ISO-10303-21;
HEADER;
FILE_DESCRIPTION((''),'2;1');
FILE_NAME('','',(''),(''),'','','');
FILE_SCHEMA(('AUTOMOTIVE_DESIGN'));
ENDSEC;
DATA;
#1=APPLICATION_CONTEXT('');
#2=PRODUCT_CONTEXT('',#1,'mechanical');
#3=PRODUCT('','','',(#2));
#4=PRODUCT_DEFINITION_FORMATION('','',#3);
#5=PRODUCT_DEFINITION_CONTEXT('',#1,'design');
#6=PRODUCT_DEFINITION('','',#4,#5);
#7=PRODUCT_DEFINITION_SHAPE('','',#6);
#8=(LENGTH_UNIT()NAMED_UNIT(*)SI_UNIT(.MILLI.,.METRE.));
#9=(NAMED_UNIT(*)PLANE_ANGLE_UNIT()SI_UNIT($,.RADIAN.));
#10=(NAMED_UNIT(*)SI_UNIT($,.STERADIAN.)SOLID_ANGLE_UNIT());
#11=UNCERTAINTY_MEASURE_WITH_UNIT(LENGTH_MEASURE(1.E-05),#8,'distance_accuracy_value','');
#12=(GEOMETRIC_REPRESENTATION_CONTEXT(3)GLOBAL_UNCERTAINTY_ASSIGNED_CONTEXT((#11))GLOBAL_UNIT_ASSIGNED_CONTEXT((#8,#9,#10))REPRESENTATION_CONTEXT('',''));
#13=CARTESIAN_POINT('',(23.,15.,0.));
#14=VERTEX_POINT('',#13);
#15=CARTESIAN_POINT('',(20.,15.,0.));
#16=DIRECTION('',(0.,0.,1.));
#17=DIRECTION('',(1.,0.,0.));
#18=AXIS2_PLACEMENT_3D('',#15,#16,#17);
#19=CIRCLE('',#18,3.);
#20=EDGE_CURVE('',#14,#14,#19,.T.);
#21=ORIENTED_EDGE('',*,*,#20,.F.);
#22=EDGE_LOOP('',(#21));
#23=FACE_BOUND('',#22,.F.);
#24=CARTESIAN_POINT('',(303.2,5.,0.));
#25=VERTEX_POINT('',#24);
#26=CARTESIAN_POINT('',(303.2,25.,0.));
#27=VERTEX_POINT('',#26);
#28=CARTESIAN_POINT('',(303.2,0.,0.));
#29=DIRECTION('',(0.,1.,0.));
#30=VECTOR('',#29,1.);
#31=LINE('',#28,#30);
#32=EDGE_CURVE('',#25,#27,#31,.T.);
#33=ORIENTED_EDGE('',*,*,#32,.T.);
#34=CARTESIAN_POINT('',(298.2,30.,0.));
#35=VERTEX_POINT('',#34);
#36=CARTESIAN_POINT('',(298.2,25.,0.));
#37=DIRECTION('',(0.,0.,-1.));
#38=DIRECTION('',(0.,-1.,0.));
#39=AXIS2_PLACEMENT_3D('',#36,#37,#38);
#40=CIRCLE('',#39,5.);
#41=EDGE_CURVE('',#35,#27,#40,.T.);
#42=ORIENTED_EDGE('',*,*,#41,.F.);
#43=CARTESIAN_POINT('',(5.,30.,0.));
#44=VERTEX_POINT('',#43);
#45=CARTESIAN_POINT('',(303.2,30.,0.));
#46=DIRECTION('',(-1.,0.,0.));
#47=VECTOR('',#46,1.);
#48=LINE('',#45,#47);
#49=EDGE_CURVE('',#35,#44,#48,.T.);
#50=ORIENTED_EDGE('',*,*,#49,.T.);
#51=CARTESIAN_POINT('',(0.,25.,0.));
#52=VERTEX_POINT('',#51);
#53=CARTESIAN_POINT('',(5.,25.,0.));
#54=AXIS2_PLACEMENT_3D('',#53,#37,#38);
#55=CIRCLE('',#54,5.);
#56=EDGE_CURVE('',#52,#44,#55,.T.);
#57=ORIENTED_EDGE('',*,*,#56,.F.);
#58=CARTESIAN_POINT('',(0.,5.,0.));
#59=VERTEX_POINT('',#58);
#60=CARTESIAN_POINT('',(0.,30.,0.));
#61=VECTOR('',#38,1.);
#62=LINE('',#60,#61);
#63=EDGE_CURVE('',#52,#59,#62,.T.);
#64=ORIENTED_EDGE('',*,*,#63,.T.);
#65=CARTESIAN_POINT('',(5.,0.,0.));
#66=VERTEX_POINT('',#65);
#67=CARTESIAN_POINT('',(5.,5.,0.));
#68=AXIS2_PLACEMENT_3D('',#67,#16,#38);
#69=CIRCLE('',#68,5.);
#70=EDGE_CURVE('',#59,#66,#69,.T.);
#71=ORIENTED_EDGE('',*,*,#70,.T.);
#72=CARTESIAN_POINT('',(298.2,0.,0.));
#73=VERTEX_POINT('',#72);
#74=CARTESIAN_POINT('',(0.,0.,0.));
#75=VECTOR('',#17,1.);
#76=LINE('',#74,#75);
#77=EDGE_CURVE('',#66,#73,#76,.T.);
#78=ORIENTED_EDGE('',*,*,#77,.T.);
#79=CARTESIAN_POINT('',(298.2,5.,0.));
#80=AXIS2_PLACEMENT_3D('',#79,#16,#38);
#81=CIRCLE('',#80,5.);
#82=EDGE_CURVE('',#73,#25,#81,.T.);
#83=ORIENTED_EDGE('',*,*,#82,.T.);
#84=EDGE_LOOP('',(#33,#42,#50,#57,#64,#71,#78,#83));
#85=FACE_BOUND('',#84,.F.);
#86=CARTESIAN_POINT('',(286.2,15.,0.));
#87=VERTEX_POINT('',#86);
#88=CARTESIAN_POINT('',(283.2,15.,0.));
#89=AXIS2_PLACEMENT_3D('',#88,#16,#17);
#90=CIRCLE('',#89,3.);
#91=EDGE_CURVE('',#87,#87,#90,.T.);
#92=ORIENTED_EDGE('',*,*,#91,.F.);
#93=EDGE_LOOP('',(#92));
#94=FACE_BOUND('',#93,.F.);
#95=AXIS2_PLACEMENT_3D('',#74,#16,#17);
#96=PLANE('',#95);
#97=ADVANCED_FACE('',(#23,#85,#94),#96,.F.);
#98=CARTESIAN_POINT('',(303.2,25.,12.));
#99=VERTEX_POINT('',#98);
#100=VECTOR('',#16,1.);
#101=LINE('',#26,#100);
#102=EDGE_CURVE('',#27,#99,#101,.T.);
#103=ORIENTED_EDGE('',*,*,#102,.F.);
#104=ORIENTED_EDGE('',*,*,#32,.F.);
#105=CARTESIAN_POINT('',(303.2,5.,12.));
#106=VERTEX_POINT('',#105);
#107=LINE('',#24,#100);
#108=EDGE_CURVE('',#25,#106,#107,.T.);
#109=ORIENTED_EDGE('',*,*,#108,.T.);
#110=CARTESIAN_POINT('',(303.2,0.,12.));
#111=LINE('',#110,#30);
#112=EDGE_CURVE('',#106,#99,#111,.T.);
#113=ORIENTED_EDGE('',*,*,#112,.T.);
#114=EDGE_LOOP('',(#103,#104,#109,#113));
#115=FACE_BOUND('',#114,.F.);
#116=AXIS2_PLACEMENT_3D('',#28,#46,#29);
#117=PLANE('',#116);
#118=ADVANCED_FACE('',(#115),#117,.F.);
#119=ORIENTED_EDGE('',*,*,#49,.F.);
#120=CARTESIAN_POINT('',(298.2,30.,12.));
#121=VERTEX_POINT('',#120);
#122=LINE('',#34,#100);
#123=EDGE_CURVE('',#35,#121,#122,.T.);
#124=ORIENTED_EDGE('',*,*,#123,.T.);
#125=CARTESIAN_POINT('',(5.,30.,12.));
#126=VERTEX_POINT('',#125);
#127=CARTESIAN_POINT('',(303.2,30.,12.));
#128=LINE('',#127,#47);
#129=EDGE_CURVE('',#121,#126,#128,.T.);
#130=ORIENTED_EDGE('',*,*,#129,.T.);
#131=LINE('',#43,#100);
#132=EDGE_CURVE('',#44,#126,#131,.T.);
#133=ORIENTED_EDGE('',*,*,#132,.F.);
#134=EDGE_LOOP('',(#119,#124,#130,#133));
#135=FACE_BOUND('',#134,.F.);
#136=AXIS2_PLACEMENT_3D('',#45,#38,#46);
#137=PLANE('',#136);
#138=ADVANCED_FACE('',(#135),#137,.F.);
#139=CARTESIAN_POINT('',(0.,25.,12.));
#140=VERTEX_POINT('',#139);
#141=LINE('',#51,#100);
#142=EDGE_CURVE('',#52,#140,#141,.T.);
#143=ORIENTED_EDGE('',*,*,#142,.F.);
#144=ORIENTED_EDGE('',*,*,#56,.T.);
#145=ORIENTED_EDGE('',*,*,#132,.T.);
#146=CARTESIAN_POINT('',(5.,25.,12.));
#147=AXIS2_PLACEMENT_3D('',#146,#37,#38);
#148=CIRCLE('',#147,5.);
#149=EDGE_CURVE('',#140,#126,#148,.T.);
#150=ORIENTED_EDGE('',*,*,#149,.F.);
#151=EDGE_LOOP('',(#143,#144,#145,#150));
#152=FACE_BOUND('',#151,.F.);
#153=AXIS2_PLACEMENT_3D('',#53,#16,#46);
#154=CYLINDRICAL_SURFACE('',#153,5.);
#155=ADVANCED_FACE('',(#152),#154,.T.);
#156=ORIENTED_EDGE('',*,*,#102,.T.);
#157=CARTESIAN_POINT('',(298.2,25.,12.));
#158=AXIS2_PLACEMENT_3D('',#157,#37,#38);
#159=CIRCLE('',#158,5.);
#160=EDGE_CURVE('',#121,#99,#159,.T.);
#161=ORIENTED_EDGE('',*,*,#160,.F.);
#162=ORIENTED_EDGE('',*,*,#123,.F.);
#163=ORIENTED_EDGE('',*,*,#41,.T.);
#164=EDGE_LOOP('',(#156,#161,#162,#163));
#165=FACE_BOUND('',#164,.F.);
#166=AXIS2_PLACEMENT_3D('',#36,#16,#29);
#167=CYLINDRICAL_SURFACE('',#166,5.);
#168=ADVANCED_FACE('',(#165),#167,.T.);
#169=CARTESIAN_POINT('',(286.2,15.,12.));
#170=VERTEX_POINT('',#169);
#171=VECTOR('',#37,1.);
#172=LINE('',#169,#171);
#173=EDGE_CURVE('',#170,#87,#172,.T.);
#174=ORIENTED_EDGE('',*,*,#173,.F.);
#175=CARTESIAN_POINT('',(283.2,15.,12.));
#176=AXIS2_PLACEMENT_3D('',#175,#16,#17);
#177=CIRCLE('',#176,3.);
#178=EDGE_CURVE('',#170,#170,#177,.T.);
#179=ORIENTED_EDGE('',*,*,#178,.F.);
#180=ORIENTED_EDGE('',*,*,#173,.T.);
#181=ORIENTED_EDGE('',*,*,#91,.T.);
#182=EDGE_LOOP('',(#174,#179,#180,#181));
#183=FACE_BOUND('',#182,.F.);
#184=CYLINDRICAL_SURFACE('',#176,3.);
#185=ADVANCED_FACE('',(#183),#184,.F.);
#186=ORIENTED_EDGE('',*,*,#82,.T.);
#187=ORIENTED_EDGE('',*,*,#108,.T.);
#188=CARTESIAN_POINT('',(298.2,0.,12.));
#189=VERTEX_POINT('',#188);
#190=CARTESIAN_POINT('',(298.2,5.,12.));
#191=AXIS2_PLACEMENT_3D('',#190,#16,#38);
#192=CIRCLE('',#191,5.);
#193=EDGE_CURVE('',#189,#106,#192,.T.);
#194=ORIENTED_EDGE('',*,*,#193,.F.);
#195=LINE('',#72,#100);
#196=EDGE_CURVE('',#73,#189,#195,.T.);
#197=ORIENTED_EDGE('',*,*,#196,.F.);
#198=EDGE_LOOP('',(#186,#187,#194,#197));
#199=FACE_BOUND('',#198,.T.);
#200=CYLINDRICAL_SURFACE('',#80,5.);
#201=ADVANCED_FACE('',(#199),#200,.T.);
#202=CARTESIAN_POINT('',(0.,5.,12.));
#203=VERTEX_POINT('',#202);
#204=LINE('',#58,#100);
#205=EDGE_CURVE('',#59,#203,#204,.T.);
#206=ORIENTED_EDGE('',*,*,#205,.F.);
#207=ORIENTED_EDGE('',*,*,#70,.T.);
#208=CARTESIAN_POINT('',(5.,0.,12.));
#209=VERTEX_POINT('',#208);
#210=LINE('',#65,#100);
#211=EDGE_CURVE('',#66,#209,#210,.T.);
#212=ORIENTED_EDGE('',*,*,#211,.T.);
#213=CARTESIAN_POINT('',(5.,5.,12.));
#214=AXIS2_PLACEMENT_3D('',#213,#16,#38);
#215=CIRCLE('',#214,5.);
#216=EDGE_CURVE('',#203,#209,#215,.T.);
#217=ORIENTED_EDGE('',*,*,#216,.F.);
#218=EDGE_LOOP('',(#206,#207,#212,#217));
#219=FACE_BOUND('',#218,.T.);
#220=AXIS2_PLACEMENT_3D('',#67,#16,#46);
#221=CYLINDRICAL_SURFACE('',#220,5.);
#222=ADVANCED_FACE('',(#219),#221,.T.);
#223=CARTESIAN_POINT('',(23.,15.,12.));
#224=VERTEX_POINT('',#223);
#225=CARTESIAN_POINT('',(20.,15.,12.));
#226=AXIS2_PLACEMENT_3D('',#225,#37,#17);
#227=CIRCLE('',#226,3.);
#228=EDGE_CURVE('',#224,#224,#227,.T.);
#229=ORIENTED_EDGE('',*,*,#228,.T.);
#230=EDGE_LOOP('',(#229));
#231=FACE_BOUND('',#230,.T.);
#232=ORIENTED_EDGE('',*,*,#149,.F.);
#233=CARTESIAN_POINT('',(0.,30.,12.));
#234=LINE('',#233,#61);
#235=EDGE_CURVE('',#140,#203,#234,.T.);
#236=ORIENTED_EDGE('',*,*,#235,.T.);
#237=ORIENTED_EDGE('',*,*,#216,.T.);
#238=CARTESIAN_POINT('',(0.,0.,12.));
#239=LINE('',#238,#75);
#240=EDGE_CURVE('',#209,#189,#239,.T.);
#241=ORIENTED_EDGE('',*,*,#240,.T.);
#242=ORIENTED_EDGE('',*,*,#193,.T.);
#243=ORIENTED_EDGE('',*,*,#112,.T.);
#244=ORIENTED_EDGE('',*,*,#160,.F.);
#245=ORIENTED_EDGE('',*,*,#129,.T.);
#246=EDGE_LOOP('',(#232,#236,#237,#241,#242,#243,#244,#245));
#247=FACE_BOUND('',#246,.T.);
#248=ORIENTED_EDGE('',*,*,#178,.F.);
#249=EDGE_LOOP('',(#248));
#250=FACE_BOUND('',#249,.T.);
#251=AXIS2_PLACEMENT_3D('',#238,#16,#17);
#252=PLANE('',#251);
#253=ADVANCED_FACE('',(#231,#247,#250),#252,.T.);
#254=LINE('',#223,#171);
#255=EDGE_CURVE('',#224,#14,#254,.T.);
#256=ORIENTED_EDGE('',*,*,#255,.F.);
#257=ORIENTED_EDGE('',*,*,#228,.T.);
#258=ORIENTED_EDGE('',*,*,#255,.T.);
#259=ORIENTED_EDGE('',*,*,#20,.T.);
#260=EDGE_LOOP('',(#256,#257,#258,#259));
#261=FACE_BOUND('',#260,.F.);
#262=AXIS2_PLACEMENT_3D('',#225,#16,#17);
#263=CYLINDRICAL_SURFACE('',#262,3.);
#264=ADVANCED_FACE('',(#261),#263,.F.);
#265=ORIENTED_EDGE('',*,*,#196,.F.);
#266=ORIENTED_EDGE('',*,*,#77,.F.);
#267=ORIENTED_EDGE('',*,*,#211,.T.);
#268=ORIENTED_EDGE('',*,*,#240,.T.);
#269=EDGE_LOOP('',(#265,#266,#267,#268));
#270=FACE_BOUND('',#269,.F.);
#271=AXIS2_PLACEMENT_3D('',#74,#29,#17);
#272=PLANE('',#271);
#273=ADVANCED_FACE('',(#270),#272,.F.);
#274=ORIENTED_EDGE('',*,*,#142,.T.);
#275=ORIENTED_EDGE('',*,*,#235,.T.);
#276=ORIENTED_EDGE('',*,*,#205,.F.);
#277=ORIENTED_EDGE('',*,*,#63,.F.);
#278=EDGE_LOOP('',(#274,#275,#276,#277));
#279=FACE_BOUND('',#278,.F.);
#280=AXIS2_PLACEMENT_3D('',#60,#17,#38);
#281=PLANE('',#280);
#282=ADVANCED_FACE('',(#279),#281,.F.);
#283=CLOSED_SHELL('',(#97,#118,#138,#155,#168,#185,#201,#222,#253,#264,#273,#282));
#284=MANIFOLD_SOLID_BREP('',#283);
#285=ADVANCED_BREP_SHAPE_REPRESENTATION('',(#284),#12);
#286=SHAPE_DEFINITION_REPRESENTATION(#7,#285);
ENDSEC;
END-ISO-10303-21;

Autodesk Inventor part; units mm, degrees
ref_plane "YZ Plane" through (0, 0, 0) normal (1, 0, 0) x (0, 1, 0)
ref_plane "XZ Plane" through (0, 0, 0) normal (0, 1, 0) x (-1, 0, 0)
ref_plane "XY Plane" through (0, 0, 0) normal (0, 0, 1) x (1, 0, 0)
sketch "Sketch1" plane through (0, 0, 0) normal (0, 0, 1) x (1, 0, 0)
  line L0 (0, 0) -> (303.2, 0)
  line L1 (303.2, 0) -> (303.2, 30)
  line L2 (303.2, 30) -> (0, 30)
  line L3 (0, 30) -> (0, 0)
  dimension "d0" = 303.2
  dimension "d1" = 30
extrude "Extrusion1" add sketch "Sketch1" along normal blind 12
fillet "Fillet1" radius 5 1 edges at (0, 30, 6)
fillet "Fillet2" radius 5 3 edges at (303.2, 30, 6) (303.2, 0, 6) (0, 0, 6)
sketch "Sketch2" plane through (0, 0, 12) normal (0, 0, 1) x (1, 0, 0)
  line L0 (0, 25) -> (0, 5) projected
  line L1 (0, 15) -> (20, 15)
  circle A0 centre (20, 15) radius 3
  line L2 (5, 0) -> (298.2, 0) projected
  line L3 (151.6, 0) -> (151.6, 30)
  line L4 (298.2, 30) -> (5, 30) projected
  circle A1 centre (283.2, 15) radius 3
  point P0 (0, 0)
  dimension "d6" = 20
  dimension "d7" = 6
extrude "Extrusion2" cut sketch "Sketch2" against normal through all
properties part number "Fourbar-Coupler"
